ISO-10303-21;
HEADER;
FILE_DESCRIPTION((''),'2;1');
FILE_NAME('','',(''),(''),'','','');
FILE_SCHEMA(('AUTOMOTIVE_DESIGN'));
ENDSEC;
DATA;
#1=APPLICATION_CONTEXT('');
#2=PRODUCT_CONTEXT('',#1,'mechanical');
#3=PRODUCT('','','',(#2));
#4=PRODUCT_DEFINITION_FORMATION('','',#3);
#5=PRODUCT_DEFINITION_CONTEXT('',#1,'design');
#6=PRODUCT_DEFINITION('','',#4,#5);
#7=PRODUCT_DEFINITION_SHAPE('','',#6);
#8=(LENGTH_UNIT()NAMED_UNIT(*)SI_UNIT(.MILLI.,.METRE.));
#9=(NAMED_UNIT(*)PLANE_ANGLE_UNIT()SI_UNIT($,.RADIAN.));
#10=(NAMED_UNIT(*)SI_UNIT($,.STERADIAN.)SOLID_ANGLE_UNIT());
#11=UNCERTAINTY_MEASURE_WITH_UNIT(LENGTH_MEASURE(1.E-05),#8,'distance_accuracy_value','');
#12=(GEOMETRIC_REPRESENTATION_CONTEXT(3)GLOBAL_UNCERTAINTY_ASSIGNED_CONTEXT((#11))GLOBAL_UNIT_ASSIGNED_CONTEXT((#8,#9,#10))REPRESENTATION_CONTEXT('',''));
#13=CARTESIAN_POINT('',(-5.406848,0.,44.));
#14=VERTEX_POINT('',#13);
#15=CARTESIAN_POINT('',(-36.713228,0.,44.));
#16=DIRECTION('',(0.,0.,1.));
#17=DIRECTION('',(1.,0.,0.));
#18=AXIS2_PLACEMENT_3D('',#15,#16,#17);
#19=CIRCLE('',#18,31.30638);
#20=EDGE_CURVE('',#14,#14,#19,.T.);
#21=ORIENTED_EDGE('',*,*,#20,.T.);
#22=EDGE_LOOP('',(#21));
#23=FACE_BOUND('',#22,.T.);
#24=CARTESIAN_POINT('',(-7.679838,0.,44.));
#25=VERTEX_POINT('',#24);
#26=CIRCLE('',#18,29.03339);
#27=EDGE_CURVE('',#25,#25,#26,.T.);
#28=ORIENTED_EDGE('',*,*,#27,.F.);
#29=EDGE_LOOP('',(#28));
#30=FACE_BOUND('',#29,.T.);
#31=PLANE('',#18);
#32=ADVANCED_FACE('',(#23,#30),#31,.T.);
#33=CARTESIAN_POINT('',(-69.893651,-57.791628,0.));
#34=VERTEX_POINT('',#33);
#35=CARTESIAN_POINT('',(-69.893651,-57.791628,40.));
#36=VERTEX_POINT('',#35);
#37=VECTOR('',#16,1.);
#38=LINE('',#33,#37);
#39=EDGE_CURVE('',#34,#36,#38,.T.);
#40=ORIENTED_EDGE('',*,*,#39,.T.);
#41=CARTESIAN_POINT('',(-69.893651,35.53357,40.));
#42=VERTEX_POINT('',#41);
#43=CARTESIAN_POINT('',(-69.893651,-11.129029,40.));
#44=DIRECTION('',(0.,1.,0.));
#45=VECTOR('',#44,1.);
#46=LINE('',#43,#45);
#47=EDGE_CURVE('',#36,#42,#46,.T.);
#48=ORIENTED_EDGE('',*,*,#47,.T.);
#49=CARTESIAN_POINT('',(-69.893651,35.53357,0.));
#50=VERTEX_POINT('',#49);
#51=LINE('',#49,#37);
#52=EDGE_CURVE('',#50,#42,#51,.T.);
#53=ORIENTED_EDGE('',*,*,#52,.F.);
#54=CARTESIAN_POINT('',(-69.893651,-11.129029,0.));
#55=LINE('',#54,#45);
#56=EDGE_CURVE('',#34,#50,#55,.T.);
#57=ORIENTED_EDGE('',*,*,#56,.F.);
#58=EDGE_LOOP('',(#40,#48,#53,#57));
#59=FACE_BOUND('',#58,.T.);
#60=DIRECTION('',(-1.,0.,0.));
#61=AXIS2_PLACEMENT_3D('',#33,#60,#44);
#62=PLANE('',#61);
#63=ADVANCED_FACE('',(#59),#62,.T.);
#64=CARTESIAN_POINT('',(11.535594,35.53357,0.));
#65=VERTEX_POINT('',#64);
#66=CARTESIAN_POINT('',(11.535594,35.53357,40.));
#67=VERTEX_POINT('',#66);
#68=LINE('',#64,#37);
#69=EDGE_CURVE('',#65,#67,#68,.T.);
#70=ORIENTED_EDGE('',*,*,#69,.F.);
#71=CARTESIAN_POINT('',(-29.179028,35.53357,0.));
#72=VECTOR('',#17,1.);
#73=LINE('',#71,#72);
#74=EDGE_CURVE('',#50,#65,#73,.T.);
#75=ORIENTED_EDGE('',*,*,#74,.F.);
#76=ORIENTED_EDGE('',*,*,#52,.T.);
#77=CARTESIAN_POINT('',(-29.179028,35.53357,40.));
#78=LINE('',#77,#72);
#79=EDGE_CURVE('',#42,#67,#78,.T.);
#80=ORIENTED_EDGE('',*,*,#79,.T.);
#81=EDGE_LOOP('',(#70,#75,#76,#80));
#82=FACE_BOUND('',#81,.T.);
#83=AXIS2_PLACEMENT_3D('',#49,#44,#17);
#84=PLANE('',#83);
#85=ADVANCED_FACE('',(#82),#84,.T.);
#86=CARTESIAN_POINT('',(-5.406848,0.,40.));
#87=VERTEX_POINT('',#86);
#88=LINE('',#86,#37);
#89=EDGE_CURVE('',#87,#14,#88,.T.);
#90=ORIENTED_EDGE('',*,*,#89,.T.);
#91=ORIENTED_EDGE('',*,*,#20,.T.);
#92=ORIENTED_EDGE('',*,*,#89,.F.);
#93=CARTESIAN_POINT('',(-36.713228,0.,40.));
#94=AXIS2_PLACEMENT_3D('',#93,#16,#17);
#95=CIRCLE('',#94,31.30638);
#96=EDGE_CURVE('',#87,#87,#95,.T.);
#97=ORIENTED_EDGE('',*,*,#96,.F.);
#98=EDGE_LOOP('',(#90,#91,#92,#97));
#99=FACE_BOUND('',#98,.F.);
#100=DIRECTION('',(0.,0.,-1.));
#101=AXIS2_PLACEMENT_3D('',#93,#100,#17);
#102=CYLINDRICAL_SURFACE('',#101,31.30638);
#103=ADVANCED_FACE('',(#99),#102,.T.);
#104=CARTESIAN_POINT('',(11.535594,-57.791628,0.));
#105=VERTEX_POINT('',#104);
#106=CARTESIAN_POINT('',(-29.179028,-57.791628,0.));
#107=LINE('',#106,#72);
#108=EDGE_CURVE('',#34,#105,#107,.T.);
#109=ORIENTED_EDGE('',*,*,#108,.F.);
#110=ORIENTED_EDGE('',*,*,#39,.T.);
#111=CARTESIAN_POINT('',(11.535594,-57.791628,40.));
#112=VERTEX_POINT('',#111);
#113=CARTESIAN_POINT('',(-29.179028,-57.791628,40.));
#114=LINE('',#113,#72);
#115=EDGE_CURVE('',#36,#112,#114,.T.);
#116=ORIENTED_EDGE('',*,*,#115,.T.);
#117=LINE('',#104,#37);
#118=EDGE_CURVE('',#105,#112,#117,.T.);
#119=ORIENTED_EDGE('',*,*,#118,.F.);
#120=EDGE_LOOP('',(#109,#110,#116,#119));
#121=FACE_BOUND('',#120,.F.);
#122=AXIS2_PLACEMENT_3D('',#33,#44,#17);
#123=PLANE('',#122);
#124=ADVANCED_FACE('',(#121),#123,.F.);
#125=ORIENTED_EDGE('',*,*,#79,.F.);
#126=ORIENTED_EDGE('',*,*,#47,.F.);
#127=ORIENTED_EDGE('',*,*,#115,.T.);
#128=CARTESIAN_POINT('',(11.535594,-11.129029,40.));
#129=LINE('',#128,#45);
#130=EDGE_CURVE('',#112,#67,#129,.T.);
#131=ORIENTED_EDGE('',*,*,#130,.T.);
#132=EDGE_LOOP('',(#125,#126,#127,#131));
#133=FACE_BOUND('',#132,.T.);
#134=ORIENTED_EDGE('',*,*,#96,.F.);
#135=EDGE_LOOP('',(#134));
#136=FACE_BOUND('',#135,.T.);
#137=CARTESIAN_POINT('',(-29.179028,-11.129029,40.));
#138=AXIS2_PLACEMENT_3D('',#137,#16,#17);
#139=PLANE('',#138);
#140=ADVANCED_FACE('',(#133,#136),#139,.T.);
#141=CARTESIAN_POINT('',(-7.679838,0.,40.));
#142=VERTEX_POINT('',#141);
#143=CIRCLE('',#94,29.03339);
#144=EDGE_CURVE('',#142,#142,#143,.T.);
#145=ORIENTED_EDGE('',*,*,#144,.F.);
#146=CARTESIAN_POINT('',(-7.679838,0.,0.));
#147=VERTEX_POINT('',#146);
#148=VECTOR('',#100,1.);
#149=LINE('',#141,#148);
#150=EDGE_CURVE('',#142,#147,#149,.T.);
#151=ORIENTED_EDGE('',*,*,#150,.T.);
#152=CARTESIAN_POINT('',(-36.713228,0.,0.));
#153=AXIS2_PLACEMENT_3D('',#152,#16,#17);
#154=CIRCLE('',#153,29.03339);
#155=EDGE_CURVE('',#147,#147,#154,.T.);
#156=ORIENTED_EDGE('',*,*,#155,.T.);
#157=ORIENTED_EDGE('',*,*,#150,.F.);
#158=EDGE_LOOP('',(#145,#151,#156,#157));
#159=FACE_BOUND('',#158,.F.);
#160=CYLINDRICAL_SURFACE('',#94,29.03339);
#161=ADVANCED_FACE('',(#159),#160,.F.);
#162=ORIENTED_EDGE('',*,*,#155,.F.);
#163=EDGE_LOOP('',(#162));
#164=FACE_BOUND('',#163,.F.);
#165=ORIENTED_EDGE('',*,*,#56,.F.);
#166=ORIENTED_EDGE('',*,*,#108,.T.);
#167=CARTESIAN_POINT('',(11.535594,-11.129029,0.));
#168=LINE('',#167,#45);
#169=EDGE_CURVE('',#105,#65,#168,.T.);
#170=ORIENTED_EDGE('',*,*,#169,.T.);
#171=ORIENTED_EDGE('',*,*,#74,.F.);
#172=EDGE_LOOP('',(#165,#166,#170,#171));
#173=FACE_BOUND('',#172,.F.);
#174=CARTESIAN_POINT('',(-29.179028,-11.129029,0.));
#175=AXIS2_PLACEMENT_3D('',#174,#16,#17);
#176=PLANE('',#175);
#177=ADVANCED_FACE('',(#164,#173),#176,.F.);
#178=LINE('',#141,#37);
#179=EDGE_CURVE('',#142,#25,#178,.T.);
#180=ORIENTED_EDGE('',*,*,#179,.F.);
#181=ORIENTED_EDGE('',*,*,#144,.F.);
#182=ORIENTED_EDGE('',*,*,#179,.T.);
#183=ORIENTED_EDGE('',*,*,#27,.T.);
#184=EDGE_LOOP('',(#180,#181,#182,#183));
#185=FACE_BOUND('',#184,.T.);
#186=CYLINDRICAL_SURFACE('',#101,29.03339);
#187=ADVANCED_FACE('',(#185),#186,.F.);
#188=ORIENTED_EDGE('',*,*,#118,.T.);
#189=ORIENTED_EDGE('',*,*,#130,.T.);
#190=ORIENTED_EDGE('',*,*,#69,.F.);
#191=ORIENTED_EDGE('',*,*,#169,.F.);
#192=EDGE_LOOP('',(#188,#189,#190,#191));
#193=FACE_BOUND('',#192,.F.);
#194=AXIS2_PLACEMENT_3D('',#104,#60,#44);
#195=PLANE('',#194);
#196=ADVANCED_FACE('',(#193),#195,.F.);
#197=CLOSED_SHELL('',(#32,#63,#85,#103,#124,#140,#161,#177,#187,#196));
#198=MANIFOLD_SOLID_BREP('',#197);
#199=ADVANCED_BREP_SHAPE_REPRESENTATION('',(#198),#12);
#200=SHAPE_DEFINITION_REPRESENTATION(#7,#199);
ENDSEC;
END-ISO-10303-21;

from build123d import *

# Parameters (mm, degrees)
F0_W     = 81.4292449504
F0_H     = 93.3251976967
F1_DEPTH = 40
F2_R     = 29.0333900914
F3_DEPTH = 50
F4_R     = 31.3063799937
F4_R_2   = 29.0333900914
F5_DEPTH = 4


with BuildPart() as f1:
    # F0 (on Top) → F1 (new body)
    with BuildSketch(Plane.XY):
        with Locations((-29.1790282354, -11.1290290952)):
            Rectangle(F0_W, F0_H)
    extrude(amount=F1_DEPTH)

    # F2 (on face) → F3 (cut)
    with BuildSketch(Plane.XY.offset(40)):
        with Locations((-36.7132276297, 0)):
            Circle(F2_R)
    extrude(amount=-F3_DEPTH, mode=Mode.SUBTRACT)

    # F4 (on face) → F5 (join)
    with BuildSketch(Plane.XY.offset(40)):
        with Locations((-36.7132276297, 0)):
            Circle(F4_R)
        with Locations((-36.7132276297, 0)):
            Circle(F4_R_2, mode=Mode.SUBTRACT)
    extrude(amount=F5_DEPTH)


solid = f1.part
